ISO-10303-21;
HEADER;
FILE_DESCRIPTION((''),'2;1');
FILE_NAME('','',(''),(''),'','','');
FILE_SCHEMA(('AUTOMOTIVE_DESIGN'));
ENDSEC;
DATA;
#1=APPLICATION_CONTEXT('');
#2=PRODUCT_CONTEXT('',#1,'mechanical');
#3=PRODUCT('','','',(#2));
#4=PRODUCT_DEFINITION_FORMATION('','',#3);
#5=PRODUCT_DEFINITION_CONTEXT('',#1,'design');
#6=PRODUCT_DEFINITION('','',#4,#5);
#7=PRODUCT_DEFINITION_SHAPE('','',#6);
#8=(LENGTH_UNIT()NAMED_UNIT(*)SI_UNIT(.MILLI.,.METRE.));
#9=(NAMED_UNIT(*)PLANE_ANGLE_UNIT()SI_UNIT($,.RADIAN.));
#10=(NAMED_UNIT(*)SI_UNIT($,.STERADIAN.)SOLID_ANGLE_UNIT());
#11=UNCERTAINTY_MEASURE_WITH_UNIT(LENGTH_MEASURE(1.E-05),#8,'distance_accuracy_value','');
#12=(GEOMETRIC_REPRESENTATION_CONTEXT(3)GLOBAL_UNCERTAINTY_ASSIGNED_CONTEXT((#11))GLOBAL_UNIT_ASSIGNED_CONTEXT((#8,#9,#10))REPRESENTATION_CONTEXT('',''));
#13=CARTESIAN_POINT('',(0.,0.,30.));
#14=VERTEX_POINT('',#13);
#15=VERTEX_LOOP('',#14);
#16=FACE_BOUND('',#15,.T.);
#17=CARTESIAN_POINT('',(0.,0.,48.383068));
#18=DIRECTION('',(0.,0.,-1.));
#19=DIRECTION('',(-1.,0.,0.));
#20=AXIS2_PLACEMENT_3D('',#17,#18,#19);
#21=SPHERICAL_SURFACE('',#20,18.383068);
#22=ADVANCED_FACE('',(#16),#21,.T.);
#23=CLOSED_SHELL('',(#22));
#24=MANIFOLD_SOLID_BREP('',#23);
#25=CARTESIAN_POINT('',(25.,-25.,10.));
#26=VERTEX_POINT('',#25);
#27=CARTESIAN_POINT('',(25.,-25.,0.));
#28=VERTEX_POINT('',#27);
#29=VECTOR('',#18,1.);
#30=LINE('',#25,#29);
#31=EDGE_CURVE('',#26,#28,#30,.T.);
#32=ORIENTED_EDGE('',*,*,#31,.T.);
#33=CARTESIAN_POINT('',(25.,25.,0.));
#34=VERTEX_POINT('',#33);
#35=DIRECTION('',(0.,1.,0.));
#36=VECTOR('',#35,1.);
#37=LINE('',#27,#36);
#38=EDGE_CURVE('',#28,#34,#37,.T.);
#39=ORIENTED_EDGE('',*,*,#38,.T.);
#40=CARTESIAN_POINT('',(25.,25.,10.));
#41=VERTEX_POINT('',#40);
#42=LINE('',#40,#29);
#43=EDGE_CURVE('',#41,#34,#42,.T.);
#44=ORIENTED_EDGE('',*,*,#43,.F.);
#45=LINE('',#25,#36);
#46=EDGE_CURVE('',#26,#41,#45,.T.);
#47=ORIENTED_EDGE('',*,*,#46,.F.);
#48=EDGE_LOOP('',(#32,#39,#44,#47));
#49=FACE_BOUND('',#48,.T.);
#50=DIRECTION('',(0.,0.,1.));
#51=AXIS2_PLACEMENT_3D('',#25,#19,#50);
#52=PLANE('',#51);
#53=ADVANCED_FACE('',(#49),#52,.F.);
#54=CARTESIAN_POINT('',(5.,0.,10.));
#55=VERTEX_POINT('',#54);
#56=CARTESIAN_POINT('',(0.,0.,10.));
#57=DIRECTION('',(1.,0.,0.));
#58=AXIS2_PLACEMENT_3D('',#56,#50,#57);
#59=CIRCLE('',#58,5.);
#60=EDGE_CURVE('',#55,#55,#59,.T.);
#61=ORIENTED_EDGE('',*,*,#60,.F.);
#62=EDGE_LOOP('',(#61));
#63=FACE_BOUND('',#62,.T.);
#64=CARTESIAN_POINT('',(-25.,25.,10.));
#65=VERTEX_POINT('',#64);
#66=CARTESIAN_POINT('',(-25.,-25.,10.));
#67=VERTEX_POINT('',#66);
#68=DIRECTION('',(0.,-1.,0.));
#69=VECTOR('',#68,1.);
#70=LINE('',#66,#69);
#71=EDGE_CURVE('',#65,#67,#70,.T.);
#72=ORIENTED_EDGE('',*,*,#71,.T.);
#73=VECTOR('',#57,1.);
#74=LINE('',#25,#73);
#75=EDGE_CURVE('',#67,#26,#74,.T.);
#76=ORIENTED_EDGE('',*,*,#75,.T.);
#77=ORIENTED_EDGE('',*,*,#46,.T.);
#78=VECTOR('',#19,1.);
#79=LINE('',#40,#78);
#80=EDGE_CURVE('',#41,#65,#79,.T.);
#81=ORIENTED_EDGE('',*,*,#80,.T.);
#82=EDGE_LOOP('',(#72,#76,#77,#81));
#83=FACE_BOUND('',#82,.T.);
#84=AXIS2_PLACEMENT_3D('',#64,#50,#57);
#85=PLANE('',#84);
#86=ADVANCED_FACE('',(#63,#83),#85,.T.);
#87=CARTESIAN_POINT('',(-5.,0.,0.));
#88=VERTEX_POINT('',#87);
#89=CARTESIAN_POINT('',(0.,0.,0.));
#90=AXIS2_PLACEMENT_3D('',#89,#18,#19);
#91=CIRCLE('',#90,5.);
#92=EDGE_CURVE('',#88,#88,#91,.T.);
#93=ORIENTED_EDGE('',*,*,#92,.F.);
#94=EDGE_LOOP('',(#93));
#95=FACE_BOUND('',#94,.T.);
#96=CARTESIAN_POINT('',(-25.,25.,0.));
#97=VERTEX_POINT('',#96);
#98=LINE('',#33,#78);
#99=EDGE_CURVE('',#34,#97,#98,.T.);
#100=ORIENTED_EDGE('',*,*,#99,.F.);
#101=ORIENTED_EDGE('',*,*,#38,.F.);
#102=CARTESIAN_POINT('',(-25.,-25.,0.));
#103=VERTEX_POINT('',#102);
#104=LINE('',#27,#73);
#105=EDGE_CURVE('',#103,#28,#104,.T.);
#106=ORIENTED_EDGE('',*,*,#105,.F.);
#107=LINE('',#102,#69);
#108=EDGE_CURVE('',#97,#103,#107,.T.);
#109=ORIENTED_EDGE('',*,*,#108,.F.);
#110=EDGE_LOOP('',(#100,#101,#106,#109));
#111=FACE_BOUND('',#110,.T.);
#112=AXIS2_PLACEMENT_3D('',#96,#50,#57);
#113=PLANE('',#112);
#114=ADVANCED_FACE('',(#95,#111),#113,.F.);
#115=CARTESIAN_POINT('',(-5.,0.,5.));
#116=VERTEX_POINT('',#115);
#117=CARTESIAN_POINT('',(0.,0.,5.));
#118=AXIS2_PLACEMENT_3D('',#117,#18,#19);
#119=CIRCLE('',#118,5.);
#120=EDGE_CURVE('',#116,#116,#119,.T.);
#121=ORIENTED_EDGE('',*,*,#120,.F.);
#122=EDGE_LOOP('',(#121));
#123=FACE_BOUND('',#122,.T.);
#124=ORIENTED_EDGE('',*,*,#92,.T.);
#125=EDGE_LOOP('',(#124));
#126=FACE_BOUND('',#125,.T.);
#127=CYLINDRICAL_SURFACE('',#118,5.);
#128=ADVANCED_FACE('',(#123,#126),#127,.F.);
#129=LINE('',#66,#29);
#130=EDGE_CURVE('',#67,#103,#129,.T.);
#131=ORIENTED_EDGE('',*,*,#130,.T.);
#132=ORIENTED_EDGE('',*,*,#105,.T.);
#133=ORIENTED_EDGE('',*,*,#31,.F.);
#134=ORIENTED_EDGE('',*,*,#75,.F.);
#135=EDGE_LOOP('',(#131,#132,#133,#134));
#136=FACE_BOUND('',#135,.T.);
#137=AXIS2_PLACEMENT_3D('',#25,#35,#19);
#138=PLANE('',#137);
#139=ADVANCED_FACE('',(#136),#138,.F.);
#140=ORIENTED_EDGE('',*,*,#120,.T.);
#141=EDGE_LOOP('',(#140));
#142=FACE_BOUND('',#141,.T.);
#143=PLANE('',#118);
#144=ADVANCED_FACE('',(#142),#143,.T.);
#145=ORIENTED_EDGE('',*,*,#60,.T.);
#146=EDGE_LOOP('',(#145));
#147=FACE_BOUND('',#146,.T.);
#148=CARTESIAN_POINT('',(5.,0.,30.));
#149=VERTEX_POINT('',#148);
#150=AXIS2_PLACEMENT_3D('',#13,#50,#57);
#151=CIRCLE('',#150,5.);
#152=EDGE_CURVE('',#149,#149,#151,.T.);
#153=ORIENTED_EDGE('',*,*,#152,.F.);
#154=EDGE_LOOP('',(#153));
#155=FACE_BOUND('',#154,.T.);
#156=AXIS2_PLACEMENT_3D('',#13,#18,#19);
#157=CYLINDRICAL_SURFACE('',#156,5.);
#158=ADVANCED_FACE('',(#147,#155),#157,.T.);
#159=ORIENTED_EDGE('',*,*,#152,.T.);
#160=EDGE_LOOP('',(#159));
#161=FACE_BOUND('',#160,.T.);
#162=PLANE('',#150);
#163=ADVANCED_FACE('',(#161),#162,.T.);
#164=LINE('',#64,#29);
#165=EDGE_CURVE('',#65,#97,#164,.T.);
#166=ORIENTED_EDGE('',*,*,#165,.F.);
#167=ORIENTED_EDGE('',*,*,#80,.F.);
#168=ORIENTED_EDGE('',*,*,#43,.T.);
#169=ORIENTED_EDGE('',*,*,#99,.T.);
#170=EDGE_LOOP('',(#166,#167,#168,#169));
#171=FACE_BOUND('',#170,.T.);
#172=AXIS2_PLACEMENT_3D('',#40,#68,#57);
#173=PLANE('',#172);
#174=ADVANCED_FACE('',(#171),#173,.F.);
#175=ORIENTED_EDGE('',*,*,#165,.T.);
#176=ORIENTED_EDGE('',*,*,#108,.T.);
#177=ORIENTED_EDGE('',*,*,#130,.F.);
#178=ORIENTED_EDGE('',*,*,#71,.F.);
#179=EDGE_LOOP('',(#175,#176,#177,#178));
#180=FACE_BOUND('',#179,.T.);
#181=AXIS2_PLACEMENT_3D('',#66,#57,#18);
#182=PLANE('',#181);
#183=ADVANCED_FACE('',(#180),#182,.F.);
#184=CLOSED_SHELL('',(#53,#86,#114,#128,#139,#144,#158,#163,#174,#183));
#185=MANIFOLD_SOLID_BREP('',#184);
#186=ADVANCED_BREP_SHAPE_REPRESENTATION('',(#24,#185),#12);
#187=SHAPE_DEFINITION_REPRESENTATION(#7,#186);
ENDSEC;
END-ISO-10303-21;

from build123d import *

# Parameters (mm, degrees)
SKETCH_1_W          = 50
SKETCH_1_H          = 50
EXTRUDE_1_DEPTH     = 10
SKETCH_2_R          = 5
EXTRUDE_2_DEPTH     = 20
SKETCH_5_R          = 5
CUT_EXTRUDE_3_DEPTH = 5


with BuildPart() as part:
    # 草图1 → 凸台-拉伸1 (new body)
    with BuildSketch(Plane.XY):
        Rectangle(SKETCH_1_W, SKETCH_1_H)
    extrude(amount=EXTRUDE_1_DEPTH)

    # 草图2 → 凸台-拉伸2 (add)
    with BuildSketch(Plane.XY.offset(10)):
        Circle(SKETCH_2_R)
    extrude(amount=EXTRUDE_2_DEPTH)

    # 草图5 → 切除-拉伸3 (cut)
    with BuildSketch(Plane(origin=(0, 0, 0), x_dir=(-1, 0, 0), z_dir=(0, 0, -1))):
        with Locations(Location((0, 0, 0), (0, 0, 180))):
            Circle(SKETCH_5_R)
    extrude(amount=-CUT_EXTRUDE_3_DEPTH, mode=Mode.SUBTRACT)


with BuildPart() as body_2:
    # 草图4 → 旋转16 (revolve)
    with BuildSketch(Plane(origin=(0, 0, 0), x_dir=(1, 0, 0), z_dir=(0, 1, 0))):
        with BuildLine():
            Line((0, -30), (0, -66.766135568))
            ThreePointArc((0, -66.766135568), (-18.383067784, -48.383067784), (0, -30))
        make_face()
    revolve(axis=Axis((0, 0, 30), (0, 0, 1)))


solid = Compound([part.part, body_2.part])
